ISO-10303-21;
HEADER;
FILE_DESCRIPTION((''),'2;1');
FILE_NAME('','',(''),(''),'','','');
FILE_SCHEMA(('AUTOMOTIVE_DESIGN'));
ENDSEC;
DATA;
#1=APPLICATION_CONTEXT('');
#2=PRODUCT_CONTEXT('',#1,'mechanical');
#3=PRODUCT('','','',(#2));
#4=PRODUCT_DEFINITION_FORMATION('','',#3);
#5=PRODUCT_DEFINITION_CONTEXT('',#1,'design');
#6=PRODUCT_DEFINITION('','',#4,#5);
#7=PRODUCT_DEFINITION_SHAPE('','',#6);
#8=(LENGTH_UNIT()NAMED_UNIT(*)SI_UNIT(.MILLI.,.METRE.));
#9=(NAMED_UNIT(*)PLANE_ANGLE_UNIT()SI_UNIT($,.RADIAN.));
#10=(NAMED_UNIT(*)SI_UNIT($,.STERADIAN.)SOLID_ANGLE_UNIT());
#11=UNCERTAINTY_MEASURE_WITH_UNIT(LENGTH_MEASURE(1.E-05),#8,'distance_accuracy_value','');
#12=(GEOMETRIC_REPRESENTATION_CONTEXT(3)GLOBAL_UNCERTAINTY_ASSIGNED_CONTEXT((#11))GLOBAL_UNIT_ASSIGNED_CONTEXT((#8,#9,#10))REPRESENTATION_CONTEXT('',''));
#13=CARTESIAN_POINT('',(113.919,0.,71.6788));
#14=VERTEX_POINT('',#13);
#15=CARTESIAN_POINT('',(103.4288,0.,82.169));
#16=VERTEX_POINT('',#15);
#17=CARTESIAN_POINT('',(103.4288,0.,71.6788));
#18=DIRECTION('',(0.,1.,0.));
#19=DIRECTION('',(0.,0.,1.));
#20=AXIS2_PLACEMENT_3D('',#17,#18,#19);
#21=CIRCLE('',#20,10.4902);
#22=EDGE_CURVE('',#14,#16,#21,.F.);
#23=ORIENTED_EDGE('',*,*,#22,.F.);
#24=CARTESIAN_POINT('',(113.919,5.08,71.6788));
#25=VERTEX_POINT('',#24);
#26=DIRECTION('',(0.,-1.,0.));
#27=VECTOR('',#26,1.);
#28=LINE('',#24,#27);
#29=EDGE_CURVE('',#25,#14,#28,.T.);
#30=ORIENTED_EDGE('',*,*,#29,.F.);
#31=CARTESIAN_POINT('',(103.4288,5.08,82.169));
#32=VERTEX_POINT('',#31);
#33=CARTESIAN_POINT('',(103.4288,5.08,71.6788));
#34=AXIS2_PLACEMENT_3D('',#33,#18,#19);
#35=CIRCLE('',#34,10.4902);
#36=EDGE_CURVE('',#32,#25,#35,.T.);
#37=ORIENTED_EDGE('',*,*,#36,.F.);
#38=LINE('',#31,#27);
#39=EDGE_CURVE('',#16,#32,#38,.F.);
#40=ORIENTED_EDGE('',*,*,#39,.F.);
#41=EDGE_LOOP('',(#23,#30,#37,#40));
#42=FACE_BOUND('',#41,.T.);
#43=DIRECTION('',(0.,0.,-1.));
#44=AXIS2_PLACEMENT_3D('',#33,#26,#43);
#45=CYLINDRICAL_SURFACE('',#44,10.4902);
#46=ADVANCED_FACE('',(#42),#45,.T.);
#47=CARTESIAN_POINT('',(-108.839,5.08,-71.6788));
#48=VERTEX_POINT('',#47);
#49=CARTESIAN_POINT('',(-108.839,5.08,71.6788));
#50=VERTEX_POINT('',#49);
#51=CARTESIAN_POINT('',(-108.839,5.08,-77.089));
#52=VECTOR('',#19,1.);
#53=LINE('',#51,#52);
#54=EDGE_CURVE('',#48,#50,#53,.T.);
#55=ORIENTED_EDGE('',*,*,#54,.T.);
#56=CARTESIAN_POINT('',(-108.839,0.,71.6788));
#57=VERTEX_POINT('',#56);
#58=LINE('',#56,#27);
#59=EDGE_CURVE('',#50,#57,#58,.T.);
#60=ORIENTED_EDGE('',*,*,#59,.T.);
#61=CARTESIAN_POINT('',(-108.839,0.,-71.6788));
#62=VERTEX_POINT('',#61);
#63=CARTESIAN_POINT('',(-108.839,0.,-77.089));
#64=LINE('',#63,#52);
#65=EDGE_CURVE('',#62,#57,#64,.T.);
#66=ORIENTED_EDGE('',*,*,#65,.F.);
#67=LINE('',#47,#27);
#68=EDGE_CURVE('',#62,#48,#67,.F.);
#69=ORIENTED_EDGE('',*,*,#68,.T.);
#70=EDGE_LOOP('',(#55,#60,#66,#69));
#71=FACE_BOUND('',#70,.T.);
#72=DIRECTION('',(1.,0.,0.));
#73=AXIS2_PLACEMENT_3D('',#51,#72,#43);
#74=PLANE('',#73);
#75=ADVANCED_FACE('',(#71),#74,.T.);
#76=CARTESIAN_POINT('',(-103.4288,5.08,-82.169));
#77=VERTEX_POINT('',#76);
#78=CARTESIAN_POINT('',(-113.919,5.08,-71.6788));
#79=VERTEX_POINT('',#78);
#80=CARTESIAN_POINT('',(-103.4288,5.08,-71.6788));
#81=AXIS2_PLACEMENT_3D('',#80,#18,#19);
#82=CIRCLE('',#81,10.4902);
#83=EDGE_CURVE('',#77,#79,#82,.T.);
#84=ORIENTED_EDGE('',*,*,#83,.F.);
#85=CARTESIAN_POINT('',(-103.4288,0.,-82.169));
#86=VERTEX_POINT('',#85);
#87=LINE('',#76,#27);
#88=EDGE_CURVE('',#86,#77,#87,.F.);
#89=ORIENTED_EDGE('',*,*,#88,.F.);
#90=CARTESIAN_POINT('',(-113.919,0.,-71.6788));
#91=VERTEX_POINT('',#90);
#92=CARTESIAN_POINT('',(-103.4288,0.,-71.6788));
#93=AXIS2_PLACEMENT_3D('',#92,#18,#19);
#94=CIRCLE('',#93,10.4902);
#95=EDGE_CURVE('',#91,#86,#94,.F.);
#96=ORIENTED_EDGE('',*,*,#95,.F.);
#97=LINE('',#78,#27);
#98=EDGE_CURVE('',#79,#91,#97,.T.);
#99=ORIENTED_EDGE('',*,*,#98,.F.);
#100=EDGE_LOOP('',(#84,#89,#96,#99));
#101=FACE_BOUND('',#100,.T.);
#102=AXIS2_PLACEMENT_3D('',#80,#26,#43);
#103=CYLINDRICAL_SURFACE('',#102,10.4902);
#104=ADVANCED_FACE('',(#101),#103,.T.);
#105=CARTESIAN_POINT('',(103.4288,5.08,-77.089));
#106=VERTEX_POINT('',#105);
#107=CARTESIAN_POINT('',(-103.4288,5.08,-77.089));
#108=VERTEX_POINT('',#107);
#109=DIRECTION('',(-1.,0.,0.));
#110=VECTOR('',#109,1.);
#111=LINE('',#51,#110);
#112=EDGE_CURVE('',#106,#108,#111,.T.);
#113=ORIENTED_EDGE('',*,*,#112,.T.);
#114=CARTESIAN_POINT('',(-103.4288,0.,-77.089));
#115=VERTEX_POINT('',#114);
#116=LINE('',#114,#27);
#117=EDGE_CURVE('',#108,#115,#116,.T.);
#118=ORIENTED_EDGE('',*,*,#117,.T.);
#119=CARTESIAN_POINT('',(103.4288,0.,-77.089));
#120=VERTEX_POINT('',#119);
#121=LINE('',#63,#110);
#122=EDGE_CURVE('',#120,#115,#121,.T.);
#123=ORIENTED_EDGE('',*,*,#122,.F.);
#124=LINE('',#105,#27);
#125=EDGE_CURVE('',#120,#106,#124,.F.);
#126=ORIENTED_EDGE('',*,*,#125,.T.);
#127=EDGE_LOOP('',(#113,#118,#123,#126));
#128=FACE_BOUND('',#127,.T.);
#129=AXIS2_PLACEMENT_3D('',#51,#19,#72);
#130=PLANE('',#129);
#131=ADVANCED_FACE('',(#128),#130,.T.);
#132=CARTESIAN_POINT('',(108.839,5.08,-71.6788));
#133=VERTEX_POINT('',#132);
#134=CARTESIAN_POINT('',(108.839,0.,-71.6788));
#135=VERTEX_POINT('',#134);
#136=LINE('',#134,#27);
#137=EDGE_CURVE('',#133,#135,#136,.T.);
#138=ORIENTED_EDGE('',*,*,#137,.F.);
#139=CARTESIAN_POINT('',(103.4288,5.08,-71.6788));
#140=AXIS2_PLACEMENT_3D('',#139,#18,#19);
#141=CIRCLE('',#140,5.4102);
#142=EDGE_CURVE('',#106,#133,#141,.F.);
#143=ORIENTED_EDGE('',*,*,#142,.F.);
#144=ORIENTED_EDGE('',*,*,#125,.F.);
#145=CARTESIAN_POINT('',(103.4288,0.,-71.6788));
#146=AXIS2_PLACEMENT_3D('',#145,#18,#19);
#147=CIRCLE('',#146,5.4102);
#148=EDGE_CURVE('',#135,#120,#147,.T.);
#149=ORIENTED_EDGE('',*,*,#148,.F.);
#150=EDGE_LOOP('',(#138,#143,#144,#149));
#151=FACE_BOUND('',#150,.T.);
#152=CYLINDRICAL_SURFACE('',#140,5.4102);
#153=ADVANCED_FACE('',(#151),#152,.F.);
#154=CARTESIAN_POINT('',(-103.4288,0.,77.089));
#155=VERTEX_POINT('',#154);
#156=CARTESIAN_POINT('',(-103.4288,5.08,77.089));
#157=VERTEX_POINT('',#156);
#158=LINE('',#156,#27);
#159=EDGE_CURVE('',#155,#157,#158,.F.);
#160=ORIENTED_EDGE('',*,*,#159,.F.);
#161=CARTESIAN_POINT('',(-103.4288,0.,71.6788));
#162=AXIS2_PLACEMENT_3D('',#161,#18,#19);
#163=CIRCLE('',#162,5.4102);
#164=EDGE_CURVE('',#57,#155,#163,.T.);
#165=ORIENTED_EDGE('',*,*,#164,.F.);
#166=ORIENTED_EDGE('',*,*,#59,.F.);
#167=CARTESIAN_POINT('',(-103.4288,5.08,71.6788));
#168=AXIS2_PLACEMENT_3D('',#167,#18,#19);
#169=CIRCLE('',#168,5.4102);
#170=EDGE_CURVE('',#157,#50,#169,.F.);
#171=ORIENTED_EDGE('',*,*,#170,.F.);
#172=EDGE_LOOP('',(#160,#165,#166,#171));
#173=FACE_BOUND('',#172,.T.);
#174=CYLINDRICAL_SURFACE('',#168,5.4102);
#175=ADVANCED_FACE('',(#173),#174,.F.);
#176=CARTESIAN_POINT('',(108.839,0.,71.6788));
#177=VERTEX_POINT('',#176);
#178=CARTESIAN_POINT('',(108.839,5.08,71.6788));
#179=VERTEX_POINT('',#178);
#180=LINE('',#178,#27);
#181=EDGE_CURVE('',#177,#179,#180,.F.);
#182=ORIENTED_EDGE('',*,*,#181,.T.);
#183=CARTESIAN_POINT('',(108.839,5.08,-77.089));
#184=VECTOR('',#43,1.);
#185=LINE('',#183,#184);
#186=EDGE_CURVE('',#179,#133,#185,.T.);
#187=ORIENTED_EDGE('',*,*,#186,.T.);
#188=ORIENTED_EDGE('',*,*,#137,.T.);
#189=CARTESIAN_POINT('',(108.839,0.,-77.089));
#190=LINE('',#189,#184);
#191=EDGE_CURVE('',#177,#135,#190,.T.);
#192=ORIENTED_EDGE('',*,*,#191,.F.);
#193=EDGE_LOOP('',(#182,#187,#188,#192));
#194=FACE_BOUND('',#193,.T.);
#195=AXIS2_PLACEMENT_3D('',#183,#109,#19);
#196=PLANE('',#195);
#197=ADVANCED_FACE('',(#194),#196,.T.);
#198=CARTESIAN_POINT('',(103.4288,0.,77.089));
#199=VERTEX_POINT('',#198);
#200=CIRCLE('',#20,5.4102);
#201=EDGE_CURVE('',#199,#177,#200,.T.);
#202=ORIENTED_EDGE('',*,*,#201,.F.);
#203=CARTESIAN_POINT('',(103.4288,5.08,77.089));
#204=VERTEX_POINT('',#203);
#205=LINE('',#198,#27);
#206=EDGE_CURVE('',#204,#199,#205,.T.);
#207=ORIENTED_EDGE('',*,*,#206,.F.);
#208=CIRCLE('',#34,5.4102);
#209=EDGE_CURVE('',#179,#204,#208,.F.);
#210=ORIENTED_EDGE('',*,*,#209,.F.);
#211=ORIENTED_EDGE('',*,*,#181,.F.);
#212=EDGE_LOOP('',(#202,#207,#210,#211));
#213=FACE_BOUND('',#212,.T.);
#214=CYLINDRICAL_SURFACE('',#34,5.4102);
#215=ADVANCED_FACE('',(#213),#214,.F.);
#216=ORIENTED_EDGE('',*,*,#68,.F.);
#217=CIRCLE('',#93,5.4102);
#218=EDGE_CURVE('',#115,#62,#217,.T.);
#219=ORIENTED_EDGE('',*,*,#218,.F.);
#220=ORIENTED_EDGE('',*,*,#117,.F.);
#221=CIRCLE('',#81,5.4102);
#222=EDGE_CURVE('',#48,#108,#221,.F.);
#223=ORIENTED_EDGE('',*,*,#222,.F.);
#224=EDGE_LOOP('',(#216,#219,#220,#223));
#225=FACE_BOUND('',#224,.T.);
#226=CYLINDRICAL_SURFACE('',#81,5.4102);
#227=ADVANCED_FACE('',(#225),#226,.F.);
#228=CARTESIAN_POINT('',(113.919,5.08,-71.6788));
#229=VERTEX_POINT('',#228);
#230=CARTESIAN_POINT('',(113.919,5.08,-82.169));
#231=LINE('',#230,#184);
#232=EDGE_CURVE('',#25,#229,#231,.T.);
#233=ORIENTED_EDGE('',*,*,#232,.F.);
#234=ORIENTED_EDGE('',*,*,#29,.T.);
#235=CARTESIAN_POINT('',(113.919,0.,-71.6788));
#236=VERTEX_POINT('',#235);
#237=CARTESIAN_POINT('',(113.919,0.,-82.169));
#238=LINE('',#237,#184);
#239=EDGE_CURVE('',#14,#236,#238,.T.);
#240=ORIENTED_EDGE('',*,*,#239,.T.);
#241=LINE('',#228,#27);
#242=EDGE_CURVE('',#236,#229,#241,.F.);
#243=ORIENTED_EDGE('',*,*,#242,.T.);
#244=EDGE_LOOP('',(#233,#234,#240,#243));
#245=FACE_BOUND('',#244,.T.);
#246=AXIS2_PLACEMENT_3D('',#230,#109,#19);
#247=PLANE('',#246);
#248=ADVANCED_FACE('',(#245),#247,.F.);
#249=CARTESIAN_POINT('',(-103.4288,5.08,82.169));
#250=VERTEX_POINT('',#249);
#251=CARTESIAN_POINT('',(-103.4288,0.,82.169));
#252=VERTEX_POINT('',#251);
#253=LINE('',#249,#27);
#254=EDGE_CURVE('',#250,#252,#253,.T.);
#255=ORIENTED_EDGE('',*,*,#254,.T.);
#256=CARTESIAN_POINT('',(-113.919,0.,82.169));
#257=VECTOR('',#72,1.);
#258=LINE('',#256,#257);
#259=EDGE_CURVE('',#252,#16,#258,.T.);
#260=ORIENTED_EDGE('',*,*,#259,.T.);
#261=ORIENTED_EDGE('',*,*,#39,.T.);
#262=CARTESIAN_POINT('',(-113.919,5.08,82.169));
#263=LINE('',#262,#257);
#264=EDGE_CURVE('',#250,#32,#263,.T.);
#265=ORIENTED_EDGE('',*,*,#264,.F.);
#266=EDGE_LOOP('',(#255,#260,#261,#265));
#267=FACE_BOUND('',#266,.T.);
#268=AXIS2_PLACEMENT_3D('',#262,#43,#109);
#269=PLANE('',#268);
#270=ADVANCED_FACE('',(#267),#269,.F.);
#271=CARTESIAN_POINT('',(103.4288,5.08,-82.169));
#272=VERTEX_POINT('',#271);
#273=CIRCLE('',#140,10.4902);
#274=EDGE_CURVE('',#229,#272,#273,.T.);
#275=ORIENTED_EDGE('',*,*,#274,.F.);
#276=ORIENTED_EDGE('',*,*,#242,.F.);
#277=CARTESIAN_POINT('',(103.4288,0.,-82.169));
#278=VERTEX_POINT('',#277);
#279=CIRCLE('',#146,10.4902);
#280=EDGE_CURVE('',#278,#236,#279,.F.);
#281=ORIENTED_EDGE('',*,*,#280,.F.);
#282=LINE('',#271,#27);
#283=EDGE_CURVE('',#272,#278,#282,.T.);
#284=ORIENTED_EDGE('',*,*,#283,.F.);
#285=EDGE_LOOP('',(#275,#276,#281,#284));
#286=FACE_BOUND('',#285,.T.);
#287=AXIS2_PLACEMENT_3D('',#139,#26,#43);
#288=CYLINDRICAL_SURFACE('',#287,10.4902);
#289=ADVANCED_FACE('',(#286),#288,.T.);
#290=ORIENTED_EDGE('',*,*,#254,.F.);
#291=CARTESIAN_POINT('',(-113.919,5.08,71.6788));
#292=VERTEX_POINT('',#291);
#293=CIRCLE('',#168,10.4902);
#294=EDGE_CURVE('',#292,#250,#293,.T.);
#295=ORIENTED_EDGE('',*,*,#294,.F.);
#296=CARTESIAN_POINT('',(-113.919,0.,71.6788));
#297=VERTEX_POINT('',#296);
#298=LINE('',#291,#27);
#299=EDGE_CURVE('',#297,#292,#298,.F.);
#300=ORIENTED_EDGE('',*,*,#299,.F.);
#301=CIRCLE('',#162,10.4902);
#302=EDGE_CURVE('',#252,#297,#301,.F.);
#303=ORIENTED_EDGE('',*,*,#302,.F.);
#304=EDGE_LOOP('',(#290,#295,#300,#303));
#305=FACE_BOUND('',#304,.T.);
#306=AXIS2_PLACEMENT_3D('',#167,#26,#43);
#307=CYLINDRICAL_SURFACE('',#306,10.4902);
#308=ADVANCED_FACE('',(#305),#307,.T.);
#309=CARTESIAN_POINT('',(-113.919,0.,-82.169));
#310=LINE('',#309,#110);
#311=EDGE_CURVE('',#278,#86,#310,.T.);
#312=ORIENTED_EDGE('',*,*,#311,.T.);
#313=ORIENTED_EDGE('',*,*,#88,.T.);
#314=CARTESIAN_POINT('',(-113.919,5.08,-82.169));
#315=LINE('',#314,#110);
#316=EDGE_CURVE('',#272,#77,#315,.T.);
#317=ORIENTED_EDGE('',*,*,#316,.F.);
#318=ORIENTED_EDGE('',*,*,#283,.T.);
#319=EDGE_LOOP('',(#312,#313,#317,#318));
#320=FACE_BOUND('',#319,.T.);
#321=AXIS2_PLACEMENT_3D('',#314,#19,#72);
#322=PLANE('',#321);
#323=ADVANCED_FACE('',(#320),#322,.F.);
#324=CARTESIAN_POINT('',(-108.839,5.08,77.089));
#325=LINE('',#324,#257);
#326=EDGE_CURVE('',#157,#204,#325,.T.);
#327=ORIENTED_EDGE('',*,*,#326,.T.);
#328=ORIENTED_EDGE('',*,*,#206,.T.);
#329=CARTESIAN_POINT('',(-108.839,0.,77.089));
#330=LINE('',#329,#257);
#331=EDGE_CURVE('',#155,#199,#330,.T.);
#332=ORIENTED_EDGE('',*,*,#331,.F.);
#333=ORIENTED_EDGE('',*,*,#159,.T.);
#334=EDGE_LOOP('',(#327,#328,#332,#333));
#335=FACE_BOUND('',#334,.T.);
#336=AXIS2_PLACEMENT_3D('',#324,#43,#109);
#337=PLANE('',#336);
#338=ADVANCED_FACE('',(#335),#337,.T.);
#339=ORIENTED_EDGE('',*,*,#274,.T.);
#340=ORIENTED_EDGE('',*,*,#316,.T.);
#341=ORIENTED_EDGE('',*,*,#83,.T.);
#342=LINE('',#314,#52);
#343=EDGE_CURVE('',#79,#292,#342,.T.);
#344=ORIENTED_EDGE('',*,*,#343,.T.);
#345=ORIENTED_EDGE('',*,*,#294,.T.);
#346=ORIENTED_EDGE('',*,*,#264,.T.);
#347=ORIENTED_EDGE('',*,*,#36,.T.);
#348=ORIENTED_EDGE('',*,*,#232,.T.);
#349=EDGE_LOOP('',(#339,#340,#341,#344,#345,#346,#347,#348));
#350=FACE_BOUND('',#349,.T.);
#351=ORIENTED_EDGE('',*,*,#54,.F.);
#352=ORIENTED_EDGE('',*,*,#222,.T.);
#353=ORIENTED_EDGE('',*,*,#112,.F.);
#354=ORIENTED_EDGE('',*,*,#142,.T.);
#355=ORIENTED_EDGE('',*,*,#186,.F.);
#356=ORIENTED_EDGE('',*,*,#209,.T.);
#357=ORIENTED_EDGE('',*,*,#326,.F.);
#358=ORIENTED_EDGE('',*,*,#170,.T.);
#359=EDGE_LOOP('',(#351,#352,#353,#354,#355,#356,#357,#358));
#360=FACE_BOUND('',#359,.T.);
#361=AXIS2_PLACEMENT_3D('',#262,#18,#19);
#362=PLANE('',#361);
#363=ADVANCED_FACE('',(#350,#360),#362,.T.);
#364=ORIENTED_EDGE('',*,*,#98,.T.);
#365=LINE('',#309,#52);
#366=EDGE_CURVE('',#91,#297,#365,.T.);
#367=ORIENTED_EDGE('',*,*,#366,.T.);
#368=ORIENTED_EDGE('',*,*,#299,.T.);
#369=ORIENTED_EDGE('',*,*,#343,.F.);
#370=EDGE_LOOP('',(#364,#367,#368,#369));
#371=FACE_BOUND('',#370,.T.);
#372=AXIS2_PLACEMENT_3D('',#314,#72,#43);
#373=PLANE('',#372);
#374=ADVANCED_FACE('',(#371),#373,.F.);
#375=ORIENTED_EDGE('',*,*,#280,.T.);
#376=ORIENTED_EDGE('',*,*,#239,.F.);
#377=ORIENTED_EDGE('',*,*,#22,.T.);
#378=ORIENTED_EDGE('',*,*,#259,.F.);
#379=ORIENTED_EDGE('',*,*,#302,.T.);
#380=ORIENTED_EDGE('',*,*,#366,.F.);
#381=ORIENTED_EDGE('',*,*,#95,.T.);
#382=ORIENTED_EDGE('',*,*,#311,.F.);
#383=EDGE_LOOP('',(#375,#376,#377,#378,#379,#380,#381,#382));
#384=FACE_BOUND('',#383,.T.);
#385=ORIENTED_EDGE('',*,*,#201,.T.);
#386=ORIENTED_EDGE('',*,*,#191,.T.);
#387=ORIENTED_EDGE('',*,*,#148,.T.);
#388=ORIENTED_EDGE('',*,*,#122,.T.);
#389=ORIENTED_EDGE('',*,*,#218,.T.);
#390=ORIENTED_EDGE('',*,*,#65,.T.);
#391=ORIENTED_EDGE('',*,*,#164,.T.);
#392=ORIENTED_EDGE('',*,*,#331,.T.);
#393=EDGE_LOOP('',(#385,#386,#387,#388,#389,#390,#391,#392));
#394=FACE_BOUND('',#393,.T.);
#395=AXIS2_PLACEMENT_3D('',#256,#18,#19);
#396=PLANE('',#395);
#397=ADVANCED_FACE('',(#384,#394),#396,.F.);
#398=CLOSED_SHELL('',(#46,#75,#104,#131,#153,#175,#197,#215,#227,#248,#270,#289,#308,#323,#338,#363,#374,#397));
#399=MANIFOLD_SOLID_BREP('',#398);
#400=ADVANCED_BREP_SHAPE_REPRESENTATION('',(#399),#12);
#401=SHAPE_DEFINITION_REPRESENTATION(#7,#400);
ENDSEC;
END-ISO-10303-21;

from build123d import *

# Parameters (mm, degrees)
SKETCH1_W      = 227.838
SKETCH1_H      = 164.338
SKETCH1_W_2    = 217.678
SKETCH1_H_2    = 154.178
EXTRUDE1_DEPTH = 5.08
FILLET1_R      = 5.4102
FILLET2_R      = 10.4902


with BuildPart() as part:
    # Sketch1 → Extrude1 (new body)
    with BuildSketch(Plane(origin=(0, 0, 0), x_dir=(1, 0, 0), z_dir=(0, 1, 0))):
        Rectangle(SKETCH1_W, SKETCH1_H)
        Rectangle(SKETCH1_W_2, SKETCH1_H_2, mode=Mode.SUBTRACT)
    extrude(amount=EXTRUDE1_DEPTH)

    # Fillet1
    fillet1_edges = [part.edges().sort_by_distance(p)[0] for p in [
        (-108.839, 2.54, -77.089),
        (-108.839, 2.54, 77.089),
        (108.839, 2.54, 77.089),
        (108.839, 2.54, -77.089),
    ]]
    fillet(fillet1_edges, radius=FILLET1_R)

    # Fillet2
    fillet2_edges = [part.edges().sort_by_distance(p)[0] for p in [
        (-113.919, 2.54, -82.169),
        (113.919, 2.54, -82.169),
        (113.919, 2.54, 82.169),
        (-113.919, 2.54, 82.169),
    ]]
    fillet(fillet2_edges, radius=FILLET2_R)


solid = part.part
